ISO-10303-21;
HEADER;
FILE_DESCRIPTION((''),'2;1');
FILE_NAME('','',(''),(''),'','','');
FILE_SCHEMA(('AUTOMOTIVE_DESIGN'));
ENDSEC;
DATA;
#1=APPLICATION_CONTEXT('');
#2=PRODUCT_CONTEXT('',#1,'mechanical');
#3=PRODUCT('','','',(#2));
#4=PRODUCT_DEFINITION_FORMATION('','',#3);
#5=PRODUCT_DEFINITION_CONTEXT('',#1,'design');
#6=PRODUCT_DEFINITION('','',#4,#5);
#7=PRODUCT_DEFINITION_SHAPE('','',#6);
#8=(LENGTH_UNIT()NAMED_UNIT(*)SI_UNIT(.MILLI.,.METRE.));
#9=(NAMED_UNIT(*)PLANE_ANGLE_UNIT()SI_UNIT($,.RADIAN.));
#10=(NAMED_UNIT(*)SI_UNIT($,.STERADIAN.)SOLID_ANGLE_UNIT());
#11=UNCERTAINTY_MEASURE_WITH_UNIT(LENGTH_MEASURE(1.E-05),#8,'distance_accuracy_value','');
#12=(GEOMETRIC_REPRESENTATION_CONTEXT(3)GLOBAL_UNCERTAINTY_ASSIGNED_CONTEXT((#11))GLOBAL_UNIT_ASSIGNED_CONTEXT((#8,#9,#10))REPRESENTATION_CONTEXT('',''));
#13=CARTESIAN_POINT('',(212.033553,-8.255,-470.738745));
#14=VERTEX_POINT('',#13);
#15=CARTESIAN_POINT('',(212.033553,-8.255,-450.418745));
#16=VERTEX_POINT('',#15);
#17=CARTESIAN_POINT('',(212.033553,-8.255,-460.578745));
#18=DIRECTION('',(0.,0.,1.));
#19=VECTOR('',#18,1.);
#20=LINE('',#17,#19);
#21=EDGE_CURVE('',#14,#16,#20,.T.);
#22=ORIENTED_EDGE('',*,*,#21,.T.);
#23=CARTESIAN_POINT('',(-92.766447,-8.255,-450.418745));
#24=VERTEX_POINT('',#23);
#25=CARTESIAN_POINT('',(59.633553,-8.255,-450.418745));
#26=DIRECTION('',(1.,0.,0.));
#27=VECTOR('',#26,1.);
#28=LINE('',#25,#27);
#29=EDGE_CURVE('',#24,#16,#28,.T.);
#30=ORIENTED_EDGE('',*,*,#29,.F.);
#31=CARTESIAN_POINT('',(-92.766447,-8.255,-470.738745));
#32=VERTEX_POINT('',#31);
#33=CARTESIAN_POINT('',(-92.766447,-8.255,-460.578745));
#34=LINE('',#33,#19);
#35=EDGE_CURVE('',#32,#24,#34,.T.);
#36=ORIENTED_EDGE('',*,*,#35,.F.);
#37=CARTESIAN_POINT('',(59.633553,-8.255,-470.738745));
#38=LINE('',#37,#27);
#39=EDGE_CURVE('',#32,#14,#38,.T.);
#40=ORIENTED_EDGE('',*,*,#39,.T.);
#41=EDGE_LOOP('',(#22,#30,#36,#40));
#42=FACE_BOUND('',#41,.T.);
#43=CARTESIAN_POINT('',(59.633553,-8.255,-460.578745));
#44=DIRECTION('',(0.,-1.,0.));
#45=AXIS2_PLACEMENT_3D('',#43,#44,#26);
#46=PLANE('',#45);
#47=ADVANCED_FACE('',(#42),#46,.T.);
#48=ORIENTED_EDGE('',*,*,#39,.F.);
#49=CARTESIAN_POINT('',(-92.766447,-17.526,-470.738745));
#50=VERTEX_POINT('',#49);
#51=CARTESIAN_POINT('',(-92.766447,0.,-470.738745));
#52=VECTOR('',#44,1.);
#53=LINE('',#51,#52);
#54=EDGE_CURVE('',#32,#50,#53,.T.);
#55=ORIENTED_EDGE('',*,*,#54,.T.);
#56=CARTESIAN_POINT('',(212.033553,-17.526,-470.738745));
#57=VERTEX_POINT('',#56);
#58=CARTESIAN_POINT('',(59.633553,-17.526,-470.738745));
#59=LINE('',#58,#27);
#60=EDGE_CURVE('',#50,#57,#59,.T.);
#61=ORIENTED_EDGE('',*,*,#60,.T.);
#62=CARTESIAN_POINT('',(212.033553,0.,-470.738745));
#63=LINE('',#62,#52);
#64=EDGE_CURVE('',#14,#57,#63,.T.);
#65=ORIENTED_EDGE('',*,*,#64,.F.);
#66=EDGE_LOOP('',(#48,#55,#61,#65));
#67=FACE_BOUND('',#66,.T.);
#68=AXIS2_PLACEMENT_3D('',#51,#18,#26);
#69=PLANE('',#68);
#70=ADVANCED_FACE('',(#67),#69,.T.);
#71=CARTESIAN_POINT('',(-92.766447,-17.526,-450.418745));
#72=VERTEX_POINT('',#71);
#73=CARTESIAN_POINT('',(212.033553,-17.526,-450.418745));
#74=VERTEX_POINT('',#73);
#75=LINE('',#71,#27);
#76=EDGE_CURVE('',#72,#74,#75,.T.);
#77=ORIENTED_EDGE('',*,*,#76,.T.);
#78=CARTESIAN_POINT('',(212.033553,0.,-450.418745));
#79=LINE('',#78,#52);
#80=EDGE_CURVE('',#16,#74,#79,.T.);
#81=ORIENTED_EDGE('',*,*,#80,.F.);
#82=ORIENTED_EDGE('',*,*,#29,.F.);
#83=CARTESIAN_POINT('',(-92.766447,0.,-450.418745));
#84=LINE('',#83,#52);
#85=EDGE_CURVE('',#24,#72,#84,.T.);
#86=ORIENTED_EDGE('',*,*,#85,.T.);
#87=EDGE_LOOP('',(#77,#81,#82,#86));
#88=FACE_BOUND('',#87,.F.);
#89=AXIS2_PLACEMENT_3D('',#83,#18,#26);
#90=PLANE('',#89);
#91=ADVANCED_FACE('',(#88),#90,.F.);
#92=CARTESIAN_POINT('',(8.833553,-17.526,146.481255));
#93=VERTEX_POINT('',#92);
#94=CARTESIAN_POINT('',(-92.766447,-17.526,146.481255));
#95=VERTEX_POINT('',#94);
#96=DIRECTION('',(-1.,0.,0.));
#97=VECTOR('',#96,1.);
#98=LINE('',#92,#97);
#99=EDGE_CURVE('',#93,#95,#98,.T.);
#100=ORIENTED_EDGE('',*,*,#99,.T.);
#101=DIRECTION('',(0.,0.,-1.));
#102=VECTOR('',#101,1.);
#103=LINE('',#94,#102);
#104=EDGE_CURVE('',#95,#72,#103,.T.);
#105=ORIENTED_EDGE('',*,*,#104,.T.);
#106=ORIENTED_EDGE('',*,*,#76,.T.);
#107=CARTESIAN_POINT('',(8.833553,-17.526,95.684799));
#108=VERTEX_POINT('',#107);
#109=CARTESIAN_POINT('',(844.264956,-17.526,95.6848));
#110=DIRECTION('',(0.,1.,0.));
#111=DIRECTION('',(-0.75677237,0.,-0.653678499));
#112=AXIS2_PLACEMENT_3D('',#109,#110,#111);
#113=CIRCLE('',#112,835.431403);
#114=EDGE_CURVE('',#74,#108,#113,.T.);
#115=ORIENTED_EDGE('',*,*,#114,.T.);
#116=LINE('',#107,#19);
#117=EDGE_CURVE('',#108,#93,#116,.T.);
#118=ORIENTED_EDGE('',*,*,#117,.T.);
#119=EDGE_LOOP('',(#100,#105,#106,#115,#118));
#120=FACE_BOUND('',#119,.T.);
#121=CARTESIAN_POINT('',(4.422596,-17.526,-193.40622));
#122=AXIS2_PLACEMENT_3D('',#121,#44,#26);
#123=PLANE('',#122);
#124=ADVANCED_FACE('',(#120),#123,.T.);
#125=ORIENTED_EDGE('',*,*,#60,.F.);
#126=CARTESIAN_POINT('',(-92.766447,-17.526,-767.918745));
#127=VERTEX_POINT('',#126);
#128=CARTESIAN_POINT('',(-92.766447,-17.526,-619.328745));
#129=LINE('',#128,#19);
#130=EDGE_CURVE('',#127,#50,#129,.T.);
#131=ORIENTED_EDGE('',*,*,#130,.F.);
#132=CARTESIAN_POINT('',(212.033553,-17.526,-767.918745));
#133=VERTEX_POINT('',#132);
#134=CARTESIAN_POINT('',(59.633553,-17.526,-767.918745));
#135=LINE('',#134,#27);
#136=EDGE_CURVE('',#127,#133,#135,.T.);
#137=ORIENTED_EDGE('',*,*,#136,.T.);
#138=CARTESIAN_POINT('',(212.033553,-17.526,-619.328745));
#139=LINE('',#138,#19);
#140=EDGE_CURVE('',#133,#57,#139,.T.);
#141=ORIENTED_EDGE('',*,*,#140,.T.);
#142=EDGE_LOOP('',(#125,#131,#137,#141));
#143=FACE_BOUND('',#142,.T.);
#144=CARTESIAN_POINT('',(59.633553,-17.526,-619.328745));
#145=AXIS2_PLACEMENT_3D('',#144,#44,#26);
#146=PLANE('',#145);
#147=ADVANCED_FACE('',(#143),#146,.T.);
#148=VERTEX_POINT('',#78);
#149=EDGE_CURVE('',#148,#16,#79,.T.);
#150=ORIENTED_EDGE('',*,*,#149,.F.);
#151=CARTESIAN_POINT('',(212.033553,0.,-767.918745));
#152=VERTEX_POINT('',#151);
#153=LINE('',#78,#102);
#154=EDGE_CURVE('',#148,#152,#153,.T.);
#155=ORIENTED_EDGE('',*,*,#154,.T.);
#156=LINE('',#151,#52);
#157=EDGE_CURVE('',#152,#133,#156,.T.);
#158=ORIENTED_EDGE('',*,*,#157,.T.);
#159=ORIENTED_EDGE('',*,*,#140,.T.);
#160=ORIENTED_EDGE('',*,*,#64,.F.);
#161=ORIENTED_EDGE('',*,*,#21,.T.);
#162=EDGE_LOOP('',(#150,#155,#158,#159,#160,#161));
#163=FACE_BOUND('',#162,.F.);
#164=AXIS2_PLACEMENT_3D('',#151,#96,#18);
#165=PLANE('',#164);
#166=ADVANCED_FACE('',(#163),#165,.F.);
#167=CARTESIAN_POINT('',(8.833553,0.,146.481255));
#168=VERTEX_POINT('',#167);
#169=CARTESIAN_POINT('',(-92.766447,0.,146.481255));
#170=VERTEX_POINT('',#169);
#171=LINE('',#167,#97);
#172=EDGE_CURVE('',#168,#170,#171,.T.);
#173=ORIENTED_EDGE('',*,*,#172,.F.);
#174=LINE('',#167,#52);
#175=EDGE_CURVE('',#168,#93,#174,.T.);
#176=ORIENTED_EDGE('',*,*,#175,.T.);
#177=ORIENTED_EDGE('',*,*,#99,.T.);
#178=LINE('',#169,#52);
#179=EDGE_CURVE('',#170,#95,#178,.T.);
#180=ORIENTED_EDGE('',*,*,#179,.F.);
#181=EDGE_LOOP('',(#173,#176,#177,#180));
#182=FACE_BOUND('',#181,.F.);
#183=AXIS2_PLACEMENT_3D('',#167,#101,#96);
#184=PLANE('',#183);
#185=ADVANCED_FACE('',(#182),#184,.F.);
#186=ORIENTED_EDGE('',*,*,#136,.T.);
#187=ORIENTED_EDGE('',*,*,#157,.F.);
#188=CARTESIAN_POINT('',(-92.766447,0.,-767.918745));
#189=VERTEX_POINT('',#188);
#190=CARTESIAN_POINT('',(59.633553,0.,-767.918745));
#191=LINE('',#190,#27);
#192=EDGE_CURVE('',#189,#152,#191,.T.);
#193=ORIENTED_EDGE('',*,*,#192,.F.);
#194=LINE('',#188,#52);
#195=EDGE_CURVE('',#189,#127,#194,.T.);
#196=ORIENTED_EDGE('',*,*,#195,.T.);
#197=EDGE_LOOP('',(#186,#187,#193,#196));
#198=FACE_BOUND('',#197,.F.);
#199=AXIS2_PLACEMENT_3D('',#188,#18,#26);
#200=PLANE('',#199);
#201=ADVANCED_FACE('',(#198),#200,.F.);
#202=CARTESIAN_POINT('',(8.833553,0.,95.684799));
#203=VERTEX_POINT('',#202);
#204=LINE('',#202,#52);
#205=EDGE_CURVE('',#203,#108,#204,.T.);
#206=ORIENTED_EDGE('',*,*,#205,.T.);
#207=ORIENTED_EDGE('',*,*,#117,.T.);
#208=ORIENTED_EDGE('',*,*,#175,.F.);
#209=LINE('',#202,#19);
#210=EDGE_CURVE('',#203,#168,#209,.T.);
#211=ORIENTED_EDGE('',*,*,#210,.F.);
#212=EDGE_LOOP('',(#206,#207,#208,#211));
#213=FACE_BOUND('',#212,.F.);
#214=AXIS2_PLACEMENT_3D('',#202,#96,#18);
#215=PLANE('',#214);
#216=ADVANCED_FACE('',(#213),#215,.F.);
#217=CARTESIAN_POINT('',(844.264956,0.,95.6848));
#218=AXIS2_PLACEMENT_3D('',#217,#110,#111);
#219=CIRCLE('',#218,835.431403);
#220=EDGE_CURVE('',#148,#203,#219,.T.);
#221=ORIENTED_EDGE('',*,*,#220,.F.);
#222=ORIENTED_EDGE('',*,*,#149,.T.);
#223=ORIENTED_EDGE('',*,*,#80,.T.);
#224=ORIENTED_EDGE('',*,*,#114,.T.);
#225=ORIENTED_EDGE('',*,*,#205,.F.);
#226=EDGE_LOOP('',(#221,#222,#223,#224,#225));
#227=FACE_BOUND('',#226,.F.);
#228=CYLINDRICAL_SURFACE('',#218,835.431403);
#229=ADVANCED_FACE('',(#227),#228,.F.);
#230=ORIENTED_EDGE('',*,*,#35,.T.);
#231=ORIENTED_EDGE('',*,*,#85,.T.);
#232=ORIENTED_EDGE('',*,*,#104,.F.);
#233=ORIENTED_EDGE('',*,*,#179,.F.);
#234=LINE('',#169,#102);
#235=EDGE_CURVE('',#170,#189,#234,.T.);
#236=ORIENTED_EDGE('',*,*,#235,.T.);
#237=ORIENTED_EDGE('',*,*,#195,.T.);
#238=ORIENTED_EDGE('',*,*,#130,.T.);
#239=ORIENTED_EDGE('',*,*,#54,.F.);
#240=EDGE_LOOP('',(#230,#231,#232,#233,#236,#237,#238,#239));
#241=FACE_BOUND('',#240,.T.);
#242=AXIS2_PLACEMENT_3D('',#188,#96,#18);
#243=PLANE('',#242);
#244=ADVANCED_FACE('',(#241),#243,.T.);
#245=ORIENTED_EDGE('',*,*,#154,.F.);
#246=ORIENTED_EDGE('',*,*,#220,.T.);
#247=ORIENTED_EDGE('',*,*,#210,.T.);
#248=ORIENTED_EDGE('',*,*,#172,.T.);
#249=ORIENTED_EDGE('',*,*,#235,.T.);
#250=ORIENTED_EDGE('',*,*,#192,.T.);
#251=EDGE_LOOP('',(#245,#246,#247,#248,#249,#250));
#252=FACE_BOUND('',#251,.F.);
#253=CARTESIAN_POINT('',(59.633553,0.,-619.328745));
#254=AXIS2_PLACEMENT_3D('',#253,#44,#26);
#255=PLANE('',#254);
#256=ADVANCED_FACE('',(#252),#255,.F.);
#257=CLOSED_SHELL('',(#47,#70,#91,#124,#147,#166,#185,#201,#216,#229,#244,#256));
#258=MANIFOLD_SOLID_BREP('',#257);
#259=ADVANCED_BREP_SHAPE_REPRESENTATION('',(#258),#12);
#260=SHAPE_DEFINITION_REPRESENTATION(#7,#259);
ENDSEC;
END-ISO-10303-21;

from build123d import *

# Parameters (mm, degrees)
F1_DEPTH = 17.526
F0_W     = 304.8
F0_H     = 20.32
F2_DEPTH = 8.255
F0_H_2   = 297.18
F3_DEPTH = 17.526


with BuildPart() as f1:
    # F0 (on Front) → F1 (new body)
    with BuildSketch(Plane.XZ):
        with BuildLine():
            Line((8.833553, 146.481255), (-92.766447, 146.481255))
            Line((-92.766447, 146.481255), (-92.766447, -450.418745))
            Line((-92.766447, -450.418745), (212.033553, -450.418745))
            ThreePointArc((212.033553, -450.418745), (61.279772, -195.656633), (8.833553, 95.684799))
            Line((8.833553, 95.684799), (8.833553, 146.481255))
        make_face()
    extrude(amount=F1_DEPTH)

    # F0 (on Front) → F2 (join)
    with BuildSketch(Plane.XZ):
        with Locations((59.633553, -460.578745)):
            Rectangle(F0_W, F0_H)
    extrude(amount=F2_DEPTH)

    # F0 (on Front) → F3 (join)
    with BuildSketch(Plane.XZ):
        with Locations((59.633553, -619.328745)):
            Rectangle(F0_W, F0_H_2)
    extrude(amount=F3_DEPTH)


solid = f1.part
